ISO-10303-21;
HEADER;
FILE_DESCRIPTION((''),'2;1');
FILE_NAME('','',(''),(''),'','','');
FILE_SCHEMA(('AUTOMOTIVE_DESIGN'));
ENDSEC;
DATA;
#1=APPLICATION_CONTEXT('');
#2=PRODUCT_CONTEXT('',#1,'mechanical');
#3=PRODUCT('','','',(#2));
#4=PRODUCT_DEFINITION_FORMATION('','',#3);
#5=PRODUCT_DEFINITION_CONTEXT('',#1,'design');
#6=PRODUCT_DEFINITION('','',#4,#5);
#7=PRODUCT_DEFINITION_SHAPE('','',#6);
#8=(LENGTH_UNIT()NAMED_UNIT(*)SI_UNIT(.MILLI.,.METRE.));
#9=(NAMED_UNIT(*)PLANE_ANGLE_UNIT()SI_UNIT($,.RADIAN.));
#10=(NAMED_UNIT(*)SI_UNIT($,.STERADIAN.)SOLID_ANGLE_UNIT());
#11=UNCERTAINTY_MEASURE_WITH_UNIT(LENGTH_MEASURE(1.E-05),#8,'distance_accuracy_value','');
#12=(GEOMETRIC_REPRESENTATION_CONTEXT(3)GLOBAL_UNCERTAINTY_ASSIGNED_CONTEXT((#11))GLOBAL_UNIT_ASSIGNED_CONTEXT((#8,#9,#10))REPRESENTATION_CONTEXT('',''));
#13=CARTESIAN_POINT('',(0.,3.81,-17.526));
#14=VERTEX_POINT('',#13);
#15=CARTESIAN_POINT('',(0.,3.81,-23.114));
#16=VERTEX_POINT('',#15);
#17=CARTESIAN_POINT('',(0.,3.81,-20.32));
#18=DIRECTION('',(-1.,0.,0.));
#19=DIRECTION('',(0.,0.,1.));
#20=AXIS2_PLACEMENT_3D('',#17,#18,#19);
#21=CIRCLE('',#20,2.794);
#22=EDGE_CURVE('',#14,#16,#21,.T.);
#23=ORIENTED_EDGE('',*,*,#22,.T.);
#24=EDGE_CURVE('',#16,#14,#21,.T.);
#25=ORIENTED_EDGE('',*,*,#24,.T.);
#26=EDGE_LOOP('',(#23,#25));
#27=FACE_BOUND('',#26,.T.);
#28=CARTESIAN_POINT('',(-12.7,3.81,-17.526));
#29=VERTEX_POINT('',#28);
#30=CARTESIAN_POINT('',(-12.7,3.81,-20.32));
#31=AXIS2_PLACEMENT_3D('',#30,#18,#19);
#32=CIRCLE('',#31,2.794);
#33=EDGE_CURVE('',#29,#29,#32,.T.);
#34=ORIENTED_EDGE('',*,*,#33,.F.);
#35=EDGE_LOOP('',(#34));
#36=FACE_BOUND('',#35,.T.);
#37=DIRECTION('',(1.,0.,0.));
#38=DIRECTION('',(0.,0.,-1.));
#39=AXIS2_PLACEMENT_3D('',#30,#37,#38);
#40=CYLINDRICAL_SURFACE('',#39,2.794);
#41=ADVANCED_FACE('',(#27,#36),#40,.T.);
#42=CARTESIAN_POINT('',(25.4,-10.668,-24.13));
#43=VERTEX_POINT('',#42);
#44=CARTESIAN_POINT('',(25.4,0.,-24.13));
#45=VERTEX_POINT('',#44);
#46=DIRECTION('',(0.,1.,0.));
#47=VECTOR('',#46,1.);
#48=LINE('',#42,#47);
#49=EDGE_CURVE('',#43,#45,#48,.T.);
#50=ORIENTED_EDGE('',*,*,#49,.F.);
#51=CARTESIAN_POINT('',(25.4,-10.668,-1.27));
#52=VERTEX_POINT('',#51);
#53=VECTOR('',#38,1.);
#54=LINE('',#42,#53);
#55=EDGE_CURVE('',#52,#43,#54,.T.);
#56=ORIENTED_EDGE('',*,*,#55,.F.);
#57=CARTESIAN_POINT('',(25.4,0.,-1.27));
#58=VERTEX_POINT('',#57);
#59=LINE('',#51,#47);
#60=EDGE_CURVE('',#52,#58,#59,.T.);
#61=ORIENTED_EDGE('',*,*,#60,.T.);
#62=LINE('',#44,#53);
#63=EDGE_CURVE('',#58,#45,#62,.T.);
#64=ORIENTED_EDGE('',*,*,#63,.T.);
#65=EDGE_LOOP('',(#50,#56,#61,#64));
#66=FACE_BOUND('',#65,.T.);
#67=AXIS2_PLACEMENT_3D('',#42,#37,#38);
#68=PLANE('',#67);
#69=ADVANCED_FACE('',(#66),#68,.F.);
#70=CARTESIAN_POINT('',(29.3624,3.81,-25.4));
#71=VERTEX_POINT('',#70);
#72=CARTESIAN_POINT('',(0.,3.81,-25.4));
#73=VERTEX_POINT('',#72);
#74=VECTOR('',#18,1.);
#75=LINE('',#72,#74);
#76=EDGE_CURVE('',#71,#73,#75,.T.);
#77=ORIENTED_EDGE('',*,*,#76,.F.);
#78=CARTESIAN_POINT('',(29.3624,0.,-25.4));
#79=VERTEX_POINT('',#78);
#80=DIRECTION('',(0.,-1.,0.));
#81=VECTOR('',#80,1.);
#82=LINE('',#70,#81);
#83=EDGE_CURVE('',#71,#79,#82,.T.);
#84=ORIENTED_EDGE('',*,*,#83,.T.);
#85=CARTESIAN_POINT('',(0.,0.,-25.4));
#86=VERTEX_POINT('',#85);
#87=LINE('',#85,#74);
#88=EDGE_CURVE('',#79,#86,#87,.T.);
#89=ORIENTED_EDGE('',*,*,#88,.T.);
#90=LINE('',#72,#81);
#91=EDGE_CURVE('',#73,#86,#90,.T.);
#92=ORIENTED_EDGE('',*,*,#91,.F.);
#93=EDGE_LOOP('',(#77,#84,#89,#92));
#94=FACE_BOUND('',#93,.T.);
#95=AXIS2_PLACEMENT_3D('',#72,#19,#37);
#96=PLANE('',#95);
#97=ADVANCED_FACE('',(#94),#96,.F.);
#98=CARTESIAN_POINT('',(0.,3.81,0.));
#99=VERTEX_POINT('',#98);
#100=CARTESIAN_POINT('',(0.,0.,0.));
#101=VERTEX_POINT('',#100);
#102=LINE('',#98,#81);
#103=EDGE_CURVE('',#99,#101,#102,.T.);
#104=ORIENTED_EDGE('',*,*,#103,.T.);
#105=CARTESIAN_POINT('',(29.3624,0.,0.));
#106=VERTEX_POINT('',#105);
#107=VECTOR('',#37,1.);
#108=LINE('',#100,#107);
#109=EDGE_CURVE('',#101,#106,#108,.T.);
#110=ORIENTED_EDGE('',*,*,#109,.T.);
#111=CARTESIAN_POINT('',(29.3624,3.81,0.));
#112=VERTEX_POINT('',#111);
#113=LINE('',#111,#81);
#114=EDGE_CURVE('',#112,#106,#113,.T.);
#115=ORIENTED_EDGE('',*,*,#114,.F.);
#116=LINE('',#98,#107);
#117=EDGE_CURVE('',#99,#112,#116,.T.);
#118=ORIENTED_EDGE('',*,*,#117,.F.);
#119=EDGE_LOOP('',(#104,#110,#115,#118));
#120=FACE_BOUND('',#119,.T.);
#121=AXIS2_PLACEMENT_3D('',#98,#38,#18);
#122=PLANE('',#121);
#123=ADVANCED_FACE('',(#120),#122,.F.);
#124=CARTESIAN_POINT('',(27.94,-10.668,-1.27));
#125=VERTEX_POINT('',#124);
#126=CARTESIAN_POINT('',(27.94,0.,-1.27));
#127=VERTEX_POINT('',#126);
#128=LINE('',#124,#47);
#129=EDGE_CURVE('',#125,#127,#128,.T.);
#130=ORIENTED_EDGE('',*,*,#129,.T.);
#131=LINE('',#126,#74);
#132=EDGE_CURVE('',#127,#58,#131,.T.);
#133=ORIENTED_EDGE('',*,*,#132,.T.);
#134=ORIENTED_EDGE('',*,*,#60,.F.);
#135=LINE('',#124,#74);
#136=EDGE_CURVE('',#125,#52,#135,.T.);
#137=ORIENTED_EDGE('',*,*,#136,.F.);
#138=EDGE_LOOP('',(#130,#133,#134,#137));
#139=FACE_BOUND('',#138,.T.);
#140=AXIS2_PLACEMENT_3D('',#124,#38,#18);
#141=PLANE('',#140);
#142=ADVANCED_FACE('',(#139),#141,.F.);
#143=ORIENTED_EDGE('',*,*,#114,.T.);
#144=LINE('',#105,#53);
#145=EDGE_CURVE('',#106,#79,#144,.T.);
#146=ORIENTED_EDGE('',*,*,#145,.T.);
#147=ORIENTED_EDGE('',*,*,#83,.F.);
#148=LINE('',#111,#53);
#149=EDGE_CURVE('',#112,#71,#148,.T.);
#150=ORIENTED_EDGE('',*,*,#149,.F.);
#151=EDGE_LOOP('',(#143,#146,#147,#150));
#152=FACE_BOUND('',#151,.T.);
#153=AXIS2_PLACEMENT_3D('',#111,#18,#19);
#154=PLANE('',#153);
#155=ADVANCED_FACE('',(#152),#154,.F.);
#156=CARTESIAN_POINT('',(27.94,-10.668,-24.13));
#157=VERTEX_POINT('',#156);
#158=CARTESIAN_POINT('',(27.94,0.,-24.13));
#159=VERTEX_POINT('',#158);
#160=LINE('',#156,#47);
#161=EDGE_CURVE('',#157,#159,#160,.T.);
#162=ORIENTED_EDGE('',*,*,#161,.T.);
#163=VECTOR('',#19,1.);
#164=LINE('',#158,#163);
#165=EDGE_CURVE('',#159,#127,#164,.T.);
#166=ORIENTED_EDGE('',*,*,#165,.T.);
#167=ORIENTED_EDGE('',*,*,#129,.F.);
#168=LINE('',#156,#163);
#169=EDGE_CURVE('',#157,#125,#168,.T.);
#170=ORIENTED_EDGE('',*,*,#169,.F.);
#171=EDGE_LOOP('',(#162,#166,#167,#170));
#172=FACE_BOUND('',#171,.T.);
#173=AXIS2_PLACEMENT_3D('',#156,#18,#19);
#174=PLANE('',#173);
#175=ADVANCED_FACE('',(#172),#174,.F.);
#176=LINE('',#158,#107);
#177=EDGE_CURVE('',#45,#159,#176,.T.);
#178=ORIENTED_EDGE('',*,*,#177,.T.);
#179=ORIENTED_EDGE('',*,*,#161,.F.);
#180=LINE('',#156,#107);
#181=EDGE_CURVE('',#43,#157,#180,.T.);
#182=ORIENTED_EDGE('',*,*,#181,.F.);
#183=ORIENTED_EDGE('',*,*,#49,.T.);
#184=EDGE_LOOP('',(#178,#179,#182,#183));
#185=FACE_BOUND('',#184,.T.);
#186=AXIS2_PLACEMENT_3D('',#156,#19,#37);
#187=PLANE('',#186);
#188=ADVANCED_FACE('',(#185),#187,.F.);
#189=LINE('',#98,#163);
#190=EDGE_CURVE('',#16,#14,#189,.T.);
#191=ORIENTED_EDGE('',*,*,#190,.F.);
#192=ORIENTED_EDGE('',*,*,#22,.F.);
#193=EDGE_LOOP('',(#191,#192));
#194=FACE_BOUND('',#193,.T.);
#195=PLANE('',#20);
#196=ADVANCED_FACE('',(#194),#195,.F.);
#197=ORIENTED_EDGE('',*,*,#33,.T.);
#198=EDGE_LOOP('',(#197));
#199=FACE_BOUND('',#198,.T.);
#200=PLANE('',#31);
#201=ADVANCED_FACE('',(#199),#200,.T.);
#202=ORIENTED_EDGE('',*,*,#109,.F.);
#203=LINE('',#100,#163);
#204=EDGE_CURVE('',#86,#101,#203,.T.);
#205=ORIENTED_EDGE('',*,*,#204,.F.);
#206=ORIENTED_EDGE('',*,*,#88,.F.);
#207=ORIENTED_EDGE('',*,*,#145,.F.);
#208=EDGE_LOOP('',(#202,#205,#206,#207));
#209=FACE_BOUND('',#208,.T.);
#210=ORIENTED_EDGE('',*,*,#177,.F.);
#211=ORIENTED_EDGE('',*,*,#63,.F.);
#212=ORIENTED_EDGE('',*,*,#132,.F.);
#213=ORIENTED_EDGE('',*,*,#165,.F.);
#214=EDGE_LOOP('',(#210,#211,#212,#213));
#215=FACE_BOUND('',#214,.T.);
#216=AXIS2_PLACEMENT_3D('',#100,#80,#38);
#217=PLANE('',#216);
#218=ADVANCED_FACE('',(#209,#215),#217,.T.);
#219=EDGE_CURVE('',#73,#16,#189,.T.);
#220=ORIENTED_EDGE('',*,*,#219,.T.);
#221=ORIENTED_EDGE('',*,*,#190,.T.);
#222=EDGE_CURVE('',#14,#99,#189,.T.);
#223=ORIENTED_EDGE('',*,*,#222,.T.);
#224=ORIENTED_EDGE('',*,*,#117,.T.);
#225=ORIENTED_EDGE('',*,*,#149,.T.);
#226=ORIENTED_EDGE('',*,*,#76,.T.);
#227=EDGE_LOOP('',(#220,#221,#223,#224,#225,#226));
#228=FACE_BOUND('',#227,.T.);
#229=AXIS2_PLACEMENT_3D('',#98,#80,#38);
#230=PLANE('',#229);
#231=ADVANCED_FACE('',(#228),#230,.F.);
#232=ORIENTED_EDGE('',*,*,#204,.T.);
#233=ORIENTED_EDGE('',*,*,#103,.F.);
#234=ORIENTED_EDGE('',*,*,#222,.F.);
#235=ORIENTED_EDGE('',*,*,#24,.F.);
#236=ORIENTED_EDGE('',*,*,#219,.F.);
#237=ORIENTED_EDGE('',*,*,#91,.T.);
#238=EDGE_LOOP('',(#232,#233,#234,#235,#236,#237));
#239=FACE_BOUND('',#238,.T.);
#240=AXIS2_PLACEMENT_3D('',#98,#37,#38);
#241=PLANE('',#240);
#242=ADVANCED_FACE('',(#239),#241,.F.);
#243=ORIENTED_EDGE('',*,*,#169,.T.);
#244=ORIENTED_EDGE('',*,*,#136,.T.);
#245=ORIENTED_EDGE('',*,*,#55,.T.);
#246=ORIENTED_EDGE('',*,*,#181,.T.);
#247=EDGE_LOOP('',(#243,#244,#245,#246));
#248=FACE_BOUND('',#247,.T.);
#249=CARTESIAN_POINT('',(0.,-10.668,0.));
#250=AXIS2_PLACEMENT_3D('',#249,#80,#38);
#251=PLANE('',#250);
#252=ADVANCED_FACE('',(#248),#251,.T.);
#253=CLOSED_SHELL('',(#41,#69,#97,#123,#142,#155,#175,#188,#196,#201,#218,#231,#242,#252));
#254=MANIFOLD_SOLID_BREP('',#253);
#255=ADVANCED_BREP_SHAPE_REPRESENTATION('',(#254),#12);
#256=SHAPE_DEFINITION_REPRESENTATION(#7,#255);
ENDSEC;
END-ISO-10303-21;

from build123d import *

# Parameters (mm, degrees)
SKETCH1_W           = 29.3624
SKETCH1_H           = 25.4
BOSS_EXTRUDE1_DEPTH = 3.81
SKETCH2_W           = 2.54
SKETCH2_H           = 22.86
BOSS_EXTRUDE2_DEPTH = 10.668
SKETCH3_R           = 2.794
BOSS_EXTRUDE3_DEPTH = 12.7


with BuildPart() as part:
    # Sketch1 → Boss-Extrude1 (new body)
    with BuildSketch(Plane(origin=(0, 0, 0), x_dir=(1, 0, 0), z_dir=(0, 1, 0))):
        with Locations((14.6812, 12.7)):
            Rectangle(SKETCH1_W, SKETCH1_H)
    extrude(amount=BOSS_EXTRUDE1_DEPTH)

    # Sketch2 → Boss-Extrude2 (add)
    with BuildSketch(Plane.XZ):
        with Locations((26.67, -12.7)):
            Rectangle(SKETCH2_W, SKETCH2_H)
    extrude(amount=BOSS_EXTRUDE2_DEPTH)

    # Sketch3 → Boss-Extrude3 (add)
    with BuildSketch(Plane.ZY):
        with Locations((-20.32, 3.81)):
            Circle(SKETCH3_R)
    extrude(amount=BOSS_EXTRUDE3_DEPTH)


solid = part.part
